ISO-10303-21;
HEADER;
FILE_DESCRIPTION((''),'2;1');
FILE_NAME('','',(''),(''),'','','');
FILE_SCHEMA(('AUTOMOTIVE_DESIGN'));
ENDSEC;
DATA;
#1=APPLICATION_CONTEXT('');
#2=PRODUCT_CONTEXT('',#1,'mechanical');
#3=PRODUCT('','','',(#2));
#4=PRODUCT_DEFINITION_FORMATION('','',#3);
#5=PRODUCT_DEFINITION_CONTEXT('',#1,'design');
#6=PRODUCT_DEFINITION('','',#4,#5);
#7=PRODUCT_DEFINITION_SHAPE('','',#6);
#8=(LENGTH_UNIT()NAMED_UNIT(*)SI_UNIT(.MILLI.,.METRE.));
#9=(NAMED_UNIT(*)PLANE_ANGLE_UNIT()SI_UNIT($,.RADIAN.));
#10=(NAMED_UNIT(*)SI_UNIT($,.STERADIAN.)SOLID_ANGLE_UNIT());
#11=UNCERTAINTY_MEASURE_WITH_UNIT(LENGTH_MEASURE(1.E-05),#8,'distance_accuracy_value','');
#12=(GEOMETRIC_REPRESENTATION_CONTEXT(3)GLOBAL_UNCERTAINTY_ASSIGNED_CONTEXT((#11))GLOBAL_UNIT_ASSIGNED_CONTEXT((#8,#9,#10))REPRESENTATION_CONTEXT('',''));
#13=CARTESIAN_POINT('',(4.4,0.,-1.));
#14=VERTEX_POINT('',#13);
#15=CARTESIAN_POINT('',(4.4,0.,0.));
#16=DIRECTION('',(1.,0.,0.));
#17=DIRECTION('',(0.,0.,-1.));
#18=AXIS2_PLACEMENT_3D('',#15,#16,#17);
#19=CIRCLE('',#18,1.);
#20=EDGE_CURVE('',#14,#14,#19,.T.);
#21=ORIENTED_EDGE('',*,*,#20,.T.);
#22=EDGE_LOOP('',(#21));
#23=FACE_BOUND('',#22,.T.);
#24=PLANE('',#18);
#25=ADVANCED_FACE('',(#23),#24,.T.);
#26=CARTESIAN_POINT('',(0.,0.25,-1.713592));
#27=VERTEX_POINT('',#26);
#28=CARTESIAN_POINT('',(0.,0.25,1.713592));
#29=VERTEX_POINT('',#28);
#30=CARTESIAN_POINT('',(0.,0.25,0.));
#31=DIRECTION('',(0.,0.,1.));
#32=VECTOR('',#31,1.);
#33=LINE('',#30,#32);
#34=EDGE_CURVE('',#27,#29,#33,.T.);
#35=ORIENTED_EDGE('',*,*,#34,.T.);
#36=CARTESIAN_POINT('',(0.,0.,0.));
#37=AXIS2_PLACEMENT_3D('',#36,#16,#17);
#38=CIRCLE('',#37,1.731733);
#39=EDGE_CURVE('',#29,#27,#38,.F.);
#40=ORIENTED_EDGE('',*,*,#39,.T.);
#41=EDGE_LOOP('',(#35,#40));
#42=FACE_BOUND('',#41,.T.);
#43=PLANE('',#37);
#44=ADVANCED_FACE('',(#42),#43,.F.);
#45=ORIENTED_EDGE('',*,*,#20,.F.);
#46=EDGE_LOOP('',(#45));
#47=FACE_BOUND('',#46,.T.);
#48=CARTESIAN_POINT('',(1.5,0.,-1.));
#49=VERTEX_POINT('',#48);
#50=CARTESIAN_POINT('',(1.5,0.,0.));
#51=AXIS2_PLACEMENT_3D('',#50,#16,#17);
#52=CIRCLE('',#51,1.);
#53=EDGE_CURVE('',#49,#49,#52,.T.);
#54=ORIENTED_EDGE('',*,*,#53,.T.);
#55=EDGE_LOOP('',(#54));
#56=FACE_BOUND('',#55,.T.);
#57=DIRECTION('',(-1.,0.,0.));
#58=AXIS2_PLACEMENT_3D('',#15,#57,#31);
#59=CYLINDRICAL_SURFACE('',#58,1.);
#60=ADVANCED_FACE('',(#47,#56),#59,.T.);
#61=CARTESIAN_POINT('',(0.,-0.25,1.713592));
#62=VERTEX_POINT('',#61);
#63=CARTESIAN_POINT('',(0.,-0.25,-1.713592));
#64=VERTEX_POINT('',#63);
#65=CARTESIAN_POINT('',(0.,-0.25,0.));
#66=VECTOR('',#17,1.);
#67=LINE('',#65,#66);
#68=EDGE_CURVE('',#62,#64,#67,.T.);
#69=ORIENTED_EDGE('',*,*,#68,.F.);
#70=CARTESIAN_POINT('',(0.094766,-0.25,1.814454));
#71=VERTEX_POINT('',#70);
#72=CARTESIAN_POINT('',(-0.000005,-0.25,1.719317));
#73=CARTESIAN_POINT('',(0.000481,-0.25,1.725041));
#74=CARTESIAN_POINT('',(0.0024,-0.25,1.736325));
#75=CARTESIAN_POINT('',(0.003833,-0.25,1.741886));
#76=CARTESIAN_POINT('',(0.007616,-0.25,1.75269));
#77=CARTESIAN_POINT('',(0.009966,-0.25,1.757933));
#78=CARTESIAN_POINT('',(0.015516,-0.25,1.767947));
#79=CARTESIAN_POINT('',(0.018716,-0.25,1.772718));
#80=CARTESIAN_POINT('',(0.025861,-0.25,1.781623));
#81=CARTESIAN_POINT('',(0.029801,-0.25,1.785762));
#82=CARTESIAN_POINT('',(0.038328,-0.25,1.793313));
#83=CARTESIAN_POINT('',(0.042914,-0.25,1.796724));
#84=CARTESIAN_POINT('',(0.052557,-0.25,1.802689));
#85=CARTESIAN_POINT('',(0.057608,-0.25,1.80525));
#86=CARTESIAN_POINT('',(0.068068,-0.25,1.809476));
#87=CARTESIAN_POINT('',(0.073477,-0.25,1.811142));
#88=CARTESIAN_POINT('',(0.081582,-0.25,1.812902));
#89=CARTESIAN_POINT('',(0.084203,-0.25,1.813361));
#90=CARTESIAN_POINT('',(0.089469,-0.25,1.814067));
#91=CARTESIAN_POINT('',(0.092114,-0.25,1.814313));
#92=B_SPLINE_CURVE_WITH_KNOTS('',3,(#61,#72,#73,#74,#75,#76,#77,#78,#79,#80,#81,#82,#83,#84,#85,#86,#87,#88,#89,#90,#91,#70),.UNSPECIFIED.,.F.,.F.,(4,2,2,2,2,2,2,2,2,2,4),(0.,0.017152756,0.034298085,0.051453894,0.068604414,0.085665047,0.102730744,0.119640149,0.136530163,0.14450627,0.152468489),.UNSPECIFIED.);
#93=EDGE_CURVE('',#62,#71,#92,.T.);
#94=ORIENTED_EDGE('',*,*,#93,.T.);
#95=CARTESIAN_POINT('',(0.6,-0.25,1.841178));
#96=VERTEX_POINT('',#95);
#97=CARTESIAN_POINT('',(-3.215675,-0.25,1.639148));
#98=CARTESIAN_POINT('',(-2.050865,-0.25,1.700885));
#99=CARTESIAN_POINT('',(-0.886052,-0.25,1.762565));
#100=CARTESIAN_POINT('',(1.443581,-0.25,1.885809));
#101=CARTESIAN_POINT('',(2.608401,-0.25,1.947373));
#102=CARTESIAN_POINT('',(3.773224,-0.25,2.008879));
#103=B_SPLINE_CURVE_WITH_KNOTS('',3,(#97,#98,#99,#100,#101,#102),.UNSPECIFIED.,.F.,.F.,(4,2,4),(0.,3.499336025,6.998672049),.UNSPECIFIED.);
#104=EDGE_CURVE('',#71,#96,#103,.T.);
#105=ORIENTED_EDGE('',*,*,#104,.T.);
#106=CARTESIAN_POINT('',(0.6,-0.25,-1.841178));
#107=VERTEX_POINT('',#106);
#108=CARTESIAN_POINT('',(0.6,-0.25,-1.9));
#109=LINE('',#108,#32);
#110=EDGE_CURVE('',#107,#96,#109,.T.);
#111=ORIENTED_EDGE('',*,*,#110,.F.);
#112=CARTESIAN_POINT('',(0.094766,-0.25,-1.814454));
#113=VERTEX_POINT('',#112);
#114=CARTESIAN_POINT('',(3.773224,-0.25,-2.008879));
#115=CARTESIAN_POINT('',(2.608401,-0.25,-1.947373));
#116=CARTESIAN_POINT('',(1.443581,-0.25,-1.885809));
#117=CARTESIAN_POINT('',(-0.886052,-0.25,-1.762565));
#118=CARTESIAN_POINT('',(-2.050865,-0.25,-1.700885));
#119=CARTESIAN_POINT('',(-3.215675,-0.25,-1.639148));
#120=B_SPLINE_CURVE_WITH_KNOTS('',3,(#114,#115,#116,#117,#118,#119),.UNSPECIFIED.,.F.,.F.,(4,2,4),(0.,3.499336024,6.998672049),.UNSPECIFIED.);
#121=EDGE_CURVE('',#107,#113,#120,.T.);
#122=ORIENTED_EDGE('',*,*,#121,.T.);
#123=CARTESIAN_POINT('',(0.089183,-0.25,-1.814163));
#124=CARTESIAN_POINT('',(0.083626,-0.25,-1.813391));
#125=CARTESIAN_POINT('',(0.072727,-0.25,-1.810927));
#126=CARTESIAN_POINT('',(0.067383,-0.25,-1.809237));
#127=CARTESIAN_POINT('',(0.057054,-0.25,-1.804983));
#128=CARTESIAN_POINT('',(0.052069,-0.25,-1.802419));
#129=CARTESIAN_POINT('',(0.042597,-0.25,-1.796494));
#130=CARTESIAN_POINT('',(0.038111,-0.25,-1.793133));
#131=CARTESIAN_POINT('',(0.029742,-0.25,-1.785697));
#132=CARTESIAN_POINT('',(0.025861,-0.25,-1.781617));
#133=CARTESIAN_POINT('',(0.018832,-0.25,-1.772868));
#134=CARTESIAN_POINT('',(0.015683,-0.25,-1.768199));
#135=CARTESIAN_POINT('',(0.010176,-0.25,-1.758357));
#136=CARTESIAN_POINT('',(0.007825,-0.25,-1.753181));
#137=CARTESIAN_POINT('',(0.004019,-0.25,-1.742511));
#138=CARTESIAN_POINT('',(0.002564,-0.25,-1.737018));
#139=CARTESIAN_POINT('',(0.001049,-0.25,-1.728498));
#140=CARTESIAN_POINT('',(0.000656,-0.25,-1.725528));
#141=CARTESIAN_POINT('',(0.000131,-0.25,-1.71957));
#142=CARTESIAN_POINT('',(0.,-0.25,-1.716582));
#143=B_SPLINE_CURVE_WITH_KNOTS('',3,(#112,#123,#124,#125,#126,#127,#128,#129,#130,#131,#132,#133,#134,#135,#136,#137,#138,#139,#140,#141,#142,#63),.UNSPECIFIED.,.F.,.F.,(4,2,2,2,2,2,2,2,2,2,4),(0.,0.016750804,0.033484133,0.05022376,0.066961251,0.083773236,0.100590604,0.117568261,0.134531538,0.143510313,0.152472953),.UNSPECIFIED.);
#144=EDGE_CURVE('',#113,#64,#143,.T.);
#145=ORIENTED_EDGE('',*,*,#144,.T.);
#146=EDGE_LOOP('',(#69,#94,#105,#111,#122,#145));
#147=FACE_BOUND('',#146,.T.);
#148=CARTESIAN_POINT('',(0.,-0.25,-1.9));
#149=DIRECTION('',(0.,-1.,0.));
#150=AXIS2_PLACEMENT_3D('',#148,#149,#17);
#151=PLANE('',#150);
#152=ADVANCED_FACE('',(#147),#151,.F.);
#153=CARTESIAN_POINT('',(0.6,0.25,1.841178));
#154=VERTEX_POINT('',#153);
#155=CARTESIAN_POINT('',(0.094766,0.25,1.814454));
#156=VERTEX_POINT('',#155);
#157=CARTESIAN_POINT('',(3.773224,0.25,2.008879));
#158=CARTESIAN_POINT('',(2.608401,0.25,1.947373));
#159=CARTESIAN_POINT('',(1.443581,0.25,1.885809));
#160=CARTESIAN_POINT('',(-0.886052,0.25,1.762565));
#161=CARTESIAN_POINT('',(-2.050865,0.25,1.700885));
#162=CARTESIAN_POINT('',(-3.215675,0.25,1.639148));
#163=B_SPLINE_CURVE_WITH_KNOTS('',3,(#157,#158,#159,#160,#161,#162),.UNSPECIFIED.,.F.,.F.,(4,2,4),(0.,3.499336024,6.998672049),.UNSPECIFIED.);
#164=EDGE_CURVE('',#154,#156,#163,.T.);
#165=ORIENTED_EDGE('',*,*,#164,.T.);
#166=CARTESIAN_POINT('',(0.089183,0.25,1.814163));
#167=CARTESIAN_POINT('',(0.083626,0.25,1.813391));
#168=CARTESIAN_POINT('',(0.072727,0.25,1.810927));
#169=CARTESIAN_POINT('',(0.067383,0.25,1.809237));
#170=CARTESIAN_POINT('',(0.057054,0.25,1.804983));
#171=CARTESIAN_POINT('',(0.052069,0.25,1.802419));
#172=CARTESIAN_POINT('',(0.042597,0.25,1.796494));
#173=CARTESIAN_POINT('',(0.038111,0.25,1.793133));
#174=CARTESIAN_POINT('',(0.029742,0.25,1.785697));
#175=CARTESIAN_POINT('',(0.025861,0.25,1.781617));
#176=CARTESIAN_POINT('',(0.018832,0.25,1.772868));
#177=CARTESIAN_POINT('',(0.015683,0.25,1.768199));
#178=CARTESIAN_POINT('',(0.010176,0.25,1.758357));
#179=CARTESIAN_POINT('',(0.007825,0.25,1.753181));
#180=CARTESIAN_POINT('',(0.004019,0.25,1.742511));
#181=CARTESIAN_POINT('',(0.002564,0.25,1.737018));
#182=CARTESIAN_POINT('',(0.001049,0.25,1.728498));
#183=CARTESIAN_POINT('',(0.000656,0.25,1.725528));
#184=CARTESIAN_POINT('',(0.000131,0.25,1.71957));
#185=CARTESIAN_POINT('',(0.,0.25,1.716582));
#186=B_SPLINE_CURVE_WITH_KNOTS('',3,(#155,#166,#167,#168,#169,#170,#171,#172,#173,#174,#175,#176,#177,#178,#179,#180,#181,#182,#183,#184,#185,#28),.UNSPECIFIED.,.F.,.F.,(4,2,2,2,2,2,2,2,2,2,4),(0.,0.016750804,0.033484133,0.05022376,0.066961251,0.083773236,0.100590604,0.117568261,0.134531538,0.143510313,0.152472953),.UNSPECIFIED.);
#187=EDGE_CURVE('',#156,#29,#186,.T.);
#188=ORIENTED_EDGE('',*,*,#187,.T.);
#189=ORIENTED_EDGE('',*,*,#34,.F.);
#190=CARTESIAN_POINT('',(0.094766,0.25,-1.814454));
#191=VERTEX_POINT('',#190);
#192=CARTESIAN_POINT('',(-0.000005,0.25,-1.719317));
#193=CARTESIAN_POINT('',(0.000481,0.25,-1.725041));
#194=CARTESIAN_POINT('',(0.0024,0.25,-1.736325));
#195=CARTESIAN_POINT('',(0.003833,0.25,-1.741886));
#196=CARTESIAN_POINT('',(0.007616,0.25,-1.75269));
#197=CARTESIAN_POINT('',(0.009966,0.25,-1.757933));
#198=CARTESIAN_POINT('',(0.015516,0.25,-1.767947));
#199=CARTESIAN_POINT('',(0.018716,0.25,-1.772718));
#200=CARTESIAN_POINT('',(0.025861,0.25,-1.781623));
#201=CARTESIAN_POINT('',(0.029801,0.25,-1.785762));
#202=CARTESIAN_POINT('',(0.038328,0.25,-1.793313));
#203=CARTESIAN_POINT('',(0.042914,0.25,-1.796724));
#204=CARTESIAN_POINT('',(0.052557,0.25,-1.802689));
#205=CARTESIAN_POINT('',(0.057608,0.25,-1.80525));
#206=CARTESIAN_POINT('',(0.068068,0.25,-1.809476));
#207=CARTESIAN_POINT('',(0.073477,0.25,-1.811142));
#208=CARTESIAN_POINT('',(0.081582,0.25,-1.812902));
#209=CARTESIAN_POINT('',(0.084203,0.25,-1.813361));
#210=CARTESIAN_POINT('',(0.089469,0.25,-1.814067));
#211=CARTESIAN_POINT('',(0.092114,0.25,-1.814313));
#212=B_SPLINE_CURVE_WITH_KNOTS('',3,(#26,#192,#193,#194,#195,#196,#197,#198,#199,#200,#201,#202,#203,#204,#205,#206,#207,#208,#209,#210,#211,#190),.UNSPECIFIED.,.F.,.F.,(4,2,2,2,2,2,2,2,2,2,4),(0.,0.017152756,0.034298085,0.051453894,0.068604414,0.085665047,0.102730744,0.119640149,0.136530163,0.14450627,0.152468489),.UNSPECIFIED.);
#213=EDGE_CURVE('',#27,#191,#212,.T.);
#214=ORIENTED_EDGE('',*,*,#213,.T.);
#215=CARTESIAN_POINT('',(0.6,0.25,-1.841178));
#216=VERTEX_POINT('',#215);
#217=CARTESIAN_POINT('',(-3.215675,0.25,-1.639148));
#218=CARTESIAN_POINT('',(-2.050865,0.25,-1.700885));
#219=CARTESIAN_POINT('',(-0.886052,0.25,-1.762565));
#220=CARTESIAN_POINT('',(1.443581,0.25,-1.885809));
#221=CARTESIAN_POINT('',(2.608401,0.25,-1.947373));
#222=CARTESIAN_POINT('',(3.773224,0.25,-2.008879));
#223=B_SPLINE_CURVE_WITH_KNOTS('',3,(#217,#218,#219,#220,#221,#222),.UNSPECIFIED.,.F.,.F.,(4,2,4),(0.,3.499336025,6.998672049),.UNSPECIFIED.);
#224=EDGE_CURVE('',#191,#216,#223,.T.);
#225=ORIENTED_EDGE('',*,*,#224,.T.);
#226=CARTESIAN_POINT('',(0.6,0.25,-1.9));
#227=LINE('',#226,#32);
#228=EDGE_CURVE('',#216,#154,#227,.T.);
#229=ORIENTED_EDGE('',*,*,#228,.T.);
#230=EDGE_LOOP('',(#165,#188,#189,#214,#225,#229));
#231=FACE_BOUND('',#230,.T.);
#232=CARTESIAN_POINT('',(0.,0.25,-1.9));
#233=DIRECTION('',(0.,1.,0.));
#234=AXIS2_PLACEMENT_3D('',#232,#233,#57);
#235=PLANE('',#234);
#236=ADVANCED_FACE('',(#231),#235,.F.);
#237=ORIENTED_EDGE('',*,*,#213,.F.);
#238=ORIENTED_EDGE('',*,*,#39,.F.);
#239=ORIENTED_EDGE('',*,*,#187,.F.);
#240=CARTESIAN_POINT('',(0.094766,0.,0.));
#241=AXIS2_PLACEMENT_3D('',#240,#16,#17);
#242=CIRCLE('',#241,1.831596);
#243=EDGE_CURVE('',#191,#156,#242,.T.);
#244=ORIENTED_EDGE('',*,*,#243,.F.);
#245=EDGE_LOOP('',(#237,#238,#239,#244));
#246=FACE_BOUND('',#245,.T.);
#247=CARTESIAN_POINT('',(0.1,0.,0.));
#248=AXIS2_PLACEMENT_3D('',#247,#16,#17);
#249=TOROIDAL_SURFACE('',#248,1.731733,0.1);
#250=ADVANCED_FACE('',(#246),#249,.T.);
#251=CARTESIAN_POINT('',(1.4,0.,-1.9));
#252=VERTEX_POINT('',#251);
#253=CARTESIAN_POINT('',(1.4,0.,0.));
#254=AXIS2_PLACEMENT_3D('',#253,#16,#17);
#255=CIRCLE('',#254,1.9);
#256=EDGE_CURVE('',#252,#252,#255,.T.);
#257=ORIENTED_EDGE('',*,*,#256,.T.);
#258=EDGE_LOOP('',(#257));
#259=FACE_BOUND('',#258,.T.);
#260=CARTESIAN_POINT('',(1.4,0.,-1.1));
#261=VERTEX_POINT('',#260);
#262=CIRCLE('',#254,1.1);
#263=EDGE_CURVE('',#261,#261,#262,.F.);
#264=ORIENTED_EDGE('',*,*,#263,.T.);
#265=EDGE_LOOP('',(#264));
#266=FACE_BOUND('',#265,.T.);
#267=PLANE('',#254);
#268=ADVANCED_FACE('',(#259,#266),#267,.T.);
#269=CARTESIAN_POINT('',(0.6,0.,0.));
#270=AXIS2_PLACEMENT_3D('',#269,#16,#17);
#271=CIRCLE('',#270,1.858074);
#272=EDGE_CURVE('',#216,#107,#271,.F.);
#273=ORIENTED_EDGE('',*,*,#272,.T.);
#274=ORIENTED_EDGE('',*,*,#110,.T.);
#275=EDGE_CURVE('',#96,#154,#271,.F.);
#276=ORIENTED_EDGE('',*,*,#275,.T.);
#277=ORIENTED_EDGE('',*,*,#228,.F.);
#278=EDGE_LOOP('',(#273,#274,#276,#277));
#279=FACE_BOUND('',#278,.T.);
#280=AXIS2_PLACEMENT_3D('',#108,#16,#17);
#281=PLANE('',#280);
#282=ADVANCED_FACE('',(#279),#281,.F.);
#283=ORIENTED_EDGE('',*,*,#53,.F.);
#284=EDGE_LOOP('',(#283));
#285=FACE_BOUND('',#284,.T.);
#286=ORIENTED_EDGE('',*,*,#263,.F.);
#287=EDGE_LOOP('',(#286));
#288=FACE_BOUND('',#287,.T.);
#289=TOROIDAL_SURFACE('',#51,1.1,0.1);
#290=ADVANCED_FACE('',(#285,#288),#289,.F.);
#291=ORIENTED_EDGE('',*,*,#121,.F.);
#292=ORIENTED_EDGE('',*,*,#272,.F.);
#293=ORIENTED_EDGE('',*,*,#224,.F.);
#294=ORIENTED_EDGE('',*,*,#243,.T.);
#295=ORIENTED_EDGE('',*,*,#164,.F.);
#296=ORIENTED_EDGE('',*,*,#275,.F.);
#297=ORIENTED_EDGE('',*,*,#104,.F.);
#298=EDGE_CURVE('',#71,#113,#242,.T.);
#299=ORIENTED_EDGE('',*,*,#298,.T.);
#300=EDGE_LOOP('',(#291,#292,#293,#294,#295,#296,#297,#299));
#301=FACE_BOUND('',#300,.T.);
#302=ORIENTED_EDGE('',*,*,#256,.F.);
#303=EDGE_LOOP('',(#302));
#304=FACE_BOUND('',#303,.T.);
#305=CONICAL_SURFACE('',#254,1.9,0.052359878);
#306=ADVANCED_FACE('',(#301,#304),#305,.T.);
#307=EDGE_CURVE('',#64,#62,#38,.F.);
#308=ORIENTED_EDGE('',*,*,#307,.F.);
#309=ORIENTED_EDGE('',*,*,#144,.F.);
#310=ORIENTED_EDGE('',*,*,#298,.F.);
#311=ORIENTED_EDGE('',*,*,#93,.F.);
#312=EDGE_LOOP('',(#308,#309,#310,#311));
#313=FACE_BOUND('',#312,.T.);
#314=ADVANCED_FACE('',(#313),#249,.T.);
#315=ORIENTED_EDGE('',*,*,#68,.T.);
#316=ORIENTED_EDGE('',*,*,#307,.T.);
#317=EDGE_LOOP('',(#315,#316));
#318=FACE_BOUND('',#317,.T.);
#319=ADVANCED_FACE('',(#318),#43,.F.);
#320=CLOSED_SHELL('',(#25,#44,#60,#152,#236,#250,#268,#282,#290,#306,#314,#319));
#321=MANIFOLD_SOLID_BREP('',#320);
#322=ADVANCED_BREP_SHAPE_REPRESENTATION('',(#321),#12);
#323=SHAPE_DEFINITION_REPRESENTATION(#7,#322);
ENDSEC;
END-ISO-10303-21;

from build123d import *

# Parameters (mm, degrees)
SKETCH2_R       = 1.9
BASEHEAD_DEPTH  = 1.4
BASEHEAD_DRAFT  = -3
SKETCH3_R       = 1
BASEBODY_DEPTH  = 3
SLOT_DEPTH      = 8.598684097
SLOT_DEPTH_BACK = 8.598684097
SKETCH4_W       = 0.5
SKETCH4_H       = 0.6
HEADFILLET_R    = 0.1


with BuildPart() as part:
    # Sketch2 → BaseHead (with draft: the straight prism first)
    with BuildSketch(Plane(origin=(1.4, 0, 0), x_dir=(0, 0, -1), z_dir=(1, 0, 0))):
        Circle(SKETCH2_R)
    extrude(amount=-BASEHEAD_DEPTH)
    # BaseHead: the draft: its side faces are tilted about the plane it starts from
    basehead_sides = [part.faces().sort_by_distance(p)[0] for p in [
        (0.7, 0, 1.9),
    ]]
    draft(basehead_sides, Plane(origin=(1.4, 0, 0), x_dir=(0, 0, -1), z_dir=(1, 0, 0)), BASEHEAD_DRAFT)

    # Sketch3 → BaseBody (add)
    with BuildSketch(Plane(origin=(1.4, -1.110095321, -1.354392991), x_dir=(0, 0, -1), z_dir=(1, 0, 0))):
        with Locations((-1.354392991, 1.110095321)):
            Circle(SKETCH3_R)
    extrude(amount=BASEBODY_DEPTH)

    # Sketch4 → Slot (cut, two sides: drawn at the far end of the back side and taken through both)
    with BuildSketch(Plane(origin=(-1.9, -1.9, 0), x_dir=(0, 1, 0), z_dir=(0, 0, 1)).offset(-SLOT_DEPTH_BACK)):
        with Locations((1.9, -2.2)):
            Rectangle(SKETCH4_W, SKETCH4_H)
    extrude(amount=SLOT_DEPTH + SLOT_DEPTH_BACK, mode=Mode.SUBTRACT)

    # HeadFillet
    headfillet_edges = [part.edges().sort_by_distance(p)[0] for p in [
        (1.4, 0, 1),
        (0, -1.826629109, 0),
        (0, 1.826629109, 0),
    ]]
    fillet(headfillet_edges, radius=HEADFILLET_R)


solid = part.part
